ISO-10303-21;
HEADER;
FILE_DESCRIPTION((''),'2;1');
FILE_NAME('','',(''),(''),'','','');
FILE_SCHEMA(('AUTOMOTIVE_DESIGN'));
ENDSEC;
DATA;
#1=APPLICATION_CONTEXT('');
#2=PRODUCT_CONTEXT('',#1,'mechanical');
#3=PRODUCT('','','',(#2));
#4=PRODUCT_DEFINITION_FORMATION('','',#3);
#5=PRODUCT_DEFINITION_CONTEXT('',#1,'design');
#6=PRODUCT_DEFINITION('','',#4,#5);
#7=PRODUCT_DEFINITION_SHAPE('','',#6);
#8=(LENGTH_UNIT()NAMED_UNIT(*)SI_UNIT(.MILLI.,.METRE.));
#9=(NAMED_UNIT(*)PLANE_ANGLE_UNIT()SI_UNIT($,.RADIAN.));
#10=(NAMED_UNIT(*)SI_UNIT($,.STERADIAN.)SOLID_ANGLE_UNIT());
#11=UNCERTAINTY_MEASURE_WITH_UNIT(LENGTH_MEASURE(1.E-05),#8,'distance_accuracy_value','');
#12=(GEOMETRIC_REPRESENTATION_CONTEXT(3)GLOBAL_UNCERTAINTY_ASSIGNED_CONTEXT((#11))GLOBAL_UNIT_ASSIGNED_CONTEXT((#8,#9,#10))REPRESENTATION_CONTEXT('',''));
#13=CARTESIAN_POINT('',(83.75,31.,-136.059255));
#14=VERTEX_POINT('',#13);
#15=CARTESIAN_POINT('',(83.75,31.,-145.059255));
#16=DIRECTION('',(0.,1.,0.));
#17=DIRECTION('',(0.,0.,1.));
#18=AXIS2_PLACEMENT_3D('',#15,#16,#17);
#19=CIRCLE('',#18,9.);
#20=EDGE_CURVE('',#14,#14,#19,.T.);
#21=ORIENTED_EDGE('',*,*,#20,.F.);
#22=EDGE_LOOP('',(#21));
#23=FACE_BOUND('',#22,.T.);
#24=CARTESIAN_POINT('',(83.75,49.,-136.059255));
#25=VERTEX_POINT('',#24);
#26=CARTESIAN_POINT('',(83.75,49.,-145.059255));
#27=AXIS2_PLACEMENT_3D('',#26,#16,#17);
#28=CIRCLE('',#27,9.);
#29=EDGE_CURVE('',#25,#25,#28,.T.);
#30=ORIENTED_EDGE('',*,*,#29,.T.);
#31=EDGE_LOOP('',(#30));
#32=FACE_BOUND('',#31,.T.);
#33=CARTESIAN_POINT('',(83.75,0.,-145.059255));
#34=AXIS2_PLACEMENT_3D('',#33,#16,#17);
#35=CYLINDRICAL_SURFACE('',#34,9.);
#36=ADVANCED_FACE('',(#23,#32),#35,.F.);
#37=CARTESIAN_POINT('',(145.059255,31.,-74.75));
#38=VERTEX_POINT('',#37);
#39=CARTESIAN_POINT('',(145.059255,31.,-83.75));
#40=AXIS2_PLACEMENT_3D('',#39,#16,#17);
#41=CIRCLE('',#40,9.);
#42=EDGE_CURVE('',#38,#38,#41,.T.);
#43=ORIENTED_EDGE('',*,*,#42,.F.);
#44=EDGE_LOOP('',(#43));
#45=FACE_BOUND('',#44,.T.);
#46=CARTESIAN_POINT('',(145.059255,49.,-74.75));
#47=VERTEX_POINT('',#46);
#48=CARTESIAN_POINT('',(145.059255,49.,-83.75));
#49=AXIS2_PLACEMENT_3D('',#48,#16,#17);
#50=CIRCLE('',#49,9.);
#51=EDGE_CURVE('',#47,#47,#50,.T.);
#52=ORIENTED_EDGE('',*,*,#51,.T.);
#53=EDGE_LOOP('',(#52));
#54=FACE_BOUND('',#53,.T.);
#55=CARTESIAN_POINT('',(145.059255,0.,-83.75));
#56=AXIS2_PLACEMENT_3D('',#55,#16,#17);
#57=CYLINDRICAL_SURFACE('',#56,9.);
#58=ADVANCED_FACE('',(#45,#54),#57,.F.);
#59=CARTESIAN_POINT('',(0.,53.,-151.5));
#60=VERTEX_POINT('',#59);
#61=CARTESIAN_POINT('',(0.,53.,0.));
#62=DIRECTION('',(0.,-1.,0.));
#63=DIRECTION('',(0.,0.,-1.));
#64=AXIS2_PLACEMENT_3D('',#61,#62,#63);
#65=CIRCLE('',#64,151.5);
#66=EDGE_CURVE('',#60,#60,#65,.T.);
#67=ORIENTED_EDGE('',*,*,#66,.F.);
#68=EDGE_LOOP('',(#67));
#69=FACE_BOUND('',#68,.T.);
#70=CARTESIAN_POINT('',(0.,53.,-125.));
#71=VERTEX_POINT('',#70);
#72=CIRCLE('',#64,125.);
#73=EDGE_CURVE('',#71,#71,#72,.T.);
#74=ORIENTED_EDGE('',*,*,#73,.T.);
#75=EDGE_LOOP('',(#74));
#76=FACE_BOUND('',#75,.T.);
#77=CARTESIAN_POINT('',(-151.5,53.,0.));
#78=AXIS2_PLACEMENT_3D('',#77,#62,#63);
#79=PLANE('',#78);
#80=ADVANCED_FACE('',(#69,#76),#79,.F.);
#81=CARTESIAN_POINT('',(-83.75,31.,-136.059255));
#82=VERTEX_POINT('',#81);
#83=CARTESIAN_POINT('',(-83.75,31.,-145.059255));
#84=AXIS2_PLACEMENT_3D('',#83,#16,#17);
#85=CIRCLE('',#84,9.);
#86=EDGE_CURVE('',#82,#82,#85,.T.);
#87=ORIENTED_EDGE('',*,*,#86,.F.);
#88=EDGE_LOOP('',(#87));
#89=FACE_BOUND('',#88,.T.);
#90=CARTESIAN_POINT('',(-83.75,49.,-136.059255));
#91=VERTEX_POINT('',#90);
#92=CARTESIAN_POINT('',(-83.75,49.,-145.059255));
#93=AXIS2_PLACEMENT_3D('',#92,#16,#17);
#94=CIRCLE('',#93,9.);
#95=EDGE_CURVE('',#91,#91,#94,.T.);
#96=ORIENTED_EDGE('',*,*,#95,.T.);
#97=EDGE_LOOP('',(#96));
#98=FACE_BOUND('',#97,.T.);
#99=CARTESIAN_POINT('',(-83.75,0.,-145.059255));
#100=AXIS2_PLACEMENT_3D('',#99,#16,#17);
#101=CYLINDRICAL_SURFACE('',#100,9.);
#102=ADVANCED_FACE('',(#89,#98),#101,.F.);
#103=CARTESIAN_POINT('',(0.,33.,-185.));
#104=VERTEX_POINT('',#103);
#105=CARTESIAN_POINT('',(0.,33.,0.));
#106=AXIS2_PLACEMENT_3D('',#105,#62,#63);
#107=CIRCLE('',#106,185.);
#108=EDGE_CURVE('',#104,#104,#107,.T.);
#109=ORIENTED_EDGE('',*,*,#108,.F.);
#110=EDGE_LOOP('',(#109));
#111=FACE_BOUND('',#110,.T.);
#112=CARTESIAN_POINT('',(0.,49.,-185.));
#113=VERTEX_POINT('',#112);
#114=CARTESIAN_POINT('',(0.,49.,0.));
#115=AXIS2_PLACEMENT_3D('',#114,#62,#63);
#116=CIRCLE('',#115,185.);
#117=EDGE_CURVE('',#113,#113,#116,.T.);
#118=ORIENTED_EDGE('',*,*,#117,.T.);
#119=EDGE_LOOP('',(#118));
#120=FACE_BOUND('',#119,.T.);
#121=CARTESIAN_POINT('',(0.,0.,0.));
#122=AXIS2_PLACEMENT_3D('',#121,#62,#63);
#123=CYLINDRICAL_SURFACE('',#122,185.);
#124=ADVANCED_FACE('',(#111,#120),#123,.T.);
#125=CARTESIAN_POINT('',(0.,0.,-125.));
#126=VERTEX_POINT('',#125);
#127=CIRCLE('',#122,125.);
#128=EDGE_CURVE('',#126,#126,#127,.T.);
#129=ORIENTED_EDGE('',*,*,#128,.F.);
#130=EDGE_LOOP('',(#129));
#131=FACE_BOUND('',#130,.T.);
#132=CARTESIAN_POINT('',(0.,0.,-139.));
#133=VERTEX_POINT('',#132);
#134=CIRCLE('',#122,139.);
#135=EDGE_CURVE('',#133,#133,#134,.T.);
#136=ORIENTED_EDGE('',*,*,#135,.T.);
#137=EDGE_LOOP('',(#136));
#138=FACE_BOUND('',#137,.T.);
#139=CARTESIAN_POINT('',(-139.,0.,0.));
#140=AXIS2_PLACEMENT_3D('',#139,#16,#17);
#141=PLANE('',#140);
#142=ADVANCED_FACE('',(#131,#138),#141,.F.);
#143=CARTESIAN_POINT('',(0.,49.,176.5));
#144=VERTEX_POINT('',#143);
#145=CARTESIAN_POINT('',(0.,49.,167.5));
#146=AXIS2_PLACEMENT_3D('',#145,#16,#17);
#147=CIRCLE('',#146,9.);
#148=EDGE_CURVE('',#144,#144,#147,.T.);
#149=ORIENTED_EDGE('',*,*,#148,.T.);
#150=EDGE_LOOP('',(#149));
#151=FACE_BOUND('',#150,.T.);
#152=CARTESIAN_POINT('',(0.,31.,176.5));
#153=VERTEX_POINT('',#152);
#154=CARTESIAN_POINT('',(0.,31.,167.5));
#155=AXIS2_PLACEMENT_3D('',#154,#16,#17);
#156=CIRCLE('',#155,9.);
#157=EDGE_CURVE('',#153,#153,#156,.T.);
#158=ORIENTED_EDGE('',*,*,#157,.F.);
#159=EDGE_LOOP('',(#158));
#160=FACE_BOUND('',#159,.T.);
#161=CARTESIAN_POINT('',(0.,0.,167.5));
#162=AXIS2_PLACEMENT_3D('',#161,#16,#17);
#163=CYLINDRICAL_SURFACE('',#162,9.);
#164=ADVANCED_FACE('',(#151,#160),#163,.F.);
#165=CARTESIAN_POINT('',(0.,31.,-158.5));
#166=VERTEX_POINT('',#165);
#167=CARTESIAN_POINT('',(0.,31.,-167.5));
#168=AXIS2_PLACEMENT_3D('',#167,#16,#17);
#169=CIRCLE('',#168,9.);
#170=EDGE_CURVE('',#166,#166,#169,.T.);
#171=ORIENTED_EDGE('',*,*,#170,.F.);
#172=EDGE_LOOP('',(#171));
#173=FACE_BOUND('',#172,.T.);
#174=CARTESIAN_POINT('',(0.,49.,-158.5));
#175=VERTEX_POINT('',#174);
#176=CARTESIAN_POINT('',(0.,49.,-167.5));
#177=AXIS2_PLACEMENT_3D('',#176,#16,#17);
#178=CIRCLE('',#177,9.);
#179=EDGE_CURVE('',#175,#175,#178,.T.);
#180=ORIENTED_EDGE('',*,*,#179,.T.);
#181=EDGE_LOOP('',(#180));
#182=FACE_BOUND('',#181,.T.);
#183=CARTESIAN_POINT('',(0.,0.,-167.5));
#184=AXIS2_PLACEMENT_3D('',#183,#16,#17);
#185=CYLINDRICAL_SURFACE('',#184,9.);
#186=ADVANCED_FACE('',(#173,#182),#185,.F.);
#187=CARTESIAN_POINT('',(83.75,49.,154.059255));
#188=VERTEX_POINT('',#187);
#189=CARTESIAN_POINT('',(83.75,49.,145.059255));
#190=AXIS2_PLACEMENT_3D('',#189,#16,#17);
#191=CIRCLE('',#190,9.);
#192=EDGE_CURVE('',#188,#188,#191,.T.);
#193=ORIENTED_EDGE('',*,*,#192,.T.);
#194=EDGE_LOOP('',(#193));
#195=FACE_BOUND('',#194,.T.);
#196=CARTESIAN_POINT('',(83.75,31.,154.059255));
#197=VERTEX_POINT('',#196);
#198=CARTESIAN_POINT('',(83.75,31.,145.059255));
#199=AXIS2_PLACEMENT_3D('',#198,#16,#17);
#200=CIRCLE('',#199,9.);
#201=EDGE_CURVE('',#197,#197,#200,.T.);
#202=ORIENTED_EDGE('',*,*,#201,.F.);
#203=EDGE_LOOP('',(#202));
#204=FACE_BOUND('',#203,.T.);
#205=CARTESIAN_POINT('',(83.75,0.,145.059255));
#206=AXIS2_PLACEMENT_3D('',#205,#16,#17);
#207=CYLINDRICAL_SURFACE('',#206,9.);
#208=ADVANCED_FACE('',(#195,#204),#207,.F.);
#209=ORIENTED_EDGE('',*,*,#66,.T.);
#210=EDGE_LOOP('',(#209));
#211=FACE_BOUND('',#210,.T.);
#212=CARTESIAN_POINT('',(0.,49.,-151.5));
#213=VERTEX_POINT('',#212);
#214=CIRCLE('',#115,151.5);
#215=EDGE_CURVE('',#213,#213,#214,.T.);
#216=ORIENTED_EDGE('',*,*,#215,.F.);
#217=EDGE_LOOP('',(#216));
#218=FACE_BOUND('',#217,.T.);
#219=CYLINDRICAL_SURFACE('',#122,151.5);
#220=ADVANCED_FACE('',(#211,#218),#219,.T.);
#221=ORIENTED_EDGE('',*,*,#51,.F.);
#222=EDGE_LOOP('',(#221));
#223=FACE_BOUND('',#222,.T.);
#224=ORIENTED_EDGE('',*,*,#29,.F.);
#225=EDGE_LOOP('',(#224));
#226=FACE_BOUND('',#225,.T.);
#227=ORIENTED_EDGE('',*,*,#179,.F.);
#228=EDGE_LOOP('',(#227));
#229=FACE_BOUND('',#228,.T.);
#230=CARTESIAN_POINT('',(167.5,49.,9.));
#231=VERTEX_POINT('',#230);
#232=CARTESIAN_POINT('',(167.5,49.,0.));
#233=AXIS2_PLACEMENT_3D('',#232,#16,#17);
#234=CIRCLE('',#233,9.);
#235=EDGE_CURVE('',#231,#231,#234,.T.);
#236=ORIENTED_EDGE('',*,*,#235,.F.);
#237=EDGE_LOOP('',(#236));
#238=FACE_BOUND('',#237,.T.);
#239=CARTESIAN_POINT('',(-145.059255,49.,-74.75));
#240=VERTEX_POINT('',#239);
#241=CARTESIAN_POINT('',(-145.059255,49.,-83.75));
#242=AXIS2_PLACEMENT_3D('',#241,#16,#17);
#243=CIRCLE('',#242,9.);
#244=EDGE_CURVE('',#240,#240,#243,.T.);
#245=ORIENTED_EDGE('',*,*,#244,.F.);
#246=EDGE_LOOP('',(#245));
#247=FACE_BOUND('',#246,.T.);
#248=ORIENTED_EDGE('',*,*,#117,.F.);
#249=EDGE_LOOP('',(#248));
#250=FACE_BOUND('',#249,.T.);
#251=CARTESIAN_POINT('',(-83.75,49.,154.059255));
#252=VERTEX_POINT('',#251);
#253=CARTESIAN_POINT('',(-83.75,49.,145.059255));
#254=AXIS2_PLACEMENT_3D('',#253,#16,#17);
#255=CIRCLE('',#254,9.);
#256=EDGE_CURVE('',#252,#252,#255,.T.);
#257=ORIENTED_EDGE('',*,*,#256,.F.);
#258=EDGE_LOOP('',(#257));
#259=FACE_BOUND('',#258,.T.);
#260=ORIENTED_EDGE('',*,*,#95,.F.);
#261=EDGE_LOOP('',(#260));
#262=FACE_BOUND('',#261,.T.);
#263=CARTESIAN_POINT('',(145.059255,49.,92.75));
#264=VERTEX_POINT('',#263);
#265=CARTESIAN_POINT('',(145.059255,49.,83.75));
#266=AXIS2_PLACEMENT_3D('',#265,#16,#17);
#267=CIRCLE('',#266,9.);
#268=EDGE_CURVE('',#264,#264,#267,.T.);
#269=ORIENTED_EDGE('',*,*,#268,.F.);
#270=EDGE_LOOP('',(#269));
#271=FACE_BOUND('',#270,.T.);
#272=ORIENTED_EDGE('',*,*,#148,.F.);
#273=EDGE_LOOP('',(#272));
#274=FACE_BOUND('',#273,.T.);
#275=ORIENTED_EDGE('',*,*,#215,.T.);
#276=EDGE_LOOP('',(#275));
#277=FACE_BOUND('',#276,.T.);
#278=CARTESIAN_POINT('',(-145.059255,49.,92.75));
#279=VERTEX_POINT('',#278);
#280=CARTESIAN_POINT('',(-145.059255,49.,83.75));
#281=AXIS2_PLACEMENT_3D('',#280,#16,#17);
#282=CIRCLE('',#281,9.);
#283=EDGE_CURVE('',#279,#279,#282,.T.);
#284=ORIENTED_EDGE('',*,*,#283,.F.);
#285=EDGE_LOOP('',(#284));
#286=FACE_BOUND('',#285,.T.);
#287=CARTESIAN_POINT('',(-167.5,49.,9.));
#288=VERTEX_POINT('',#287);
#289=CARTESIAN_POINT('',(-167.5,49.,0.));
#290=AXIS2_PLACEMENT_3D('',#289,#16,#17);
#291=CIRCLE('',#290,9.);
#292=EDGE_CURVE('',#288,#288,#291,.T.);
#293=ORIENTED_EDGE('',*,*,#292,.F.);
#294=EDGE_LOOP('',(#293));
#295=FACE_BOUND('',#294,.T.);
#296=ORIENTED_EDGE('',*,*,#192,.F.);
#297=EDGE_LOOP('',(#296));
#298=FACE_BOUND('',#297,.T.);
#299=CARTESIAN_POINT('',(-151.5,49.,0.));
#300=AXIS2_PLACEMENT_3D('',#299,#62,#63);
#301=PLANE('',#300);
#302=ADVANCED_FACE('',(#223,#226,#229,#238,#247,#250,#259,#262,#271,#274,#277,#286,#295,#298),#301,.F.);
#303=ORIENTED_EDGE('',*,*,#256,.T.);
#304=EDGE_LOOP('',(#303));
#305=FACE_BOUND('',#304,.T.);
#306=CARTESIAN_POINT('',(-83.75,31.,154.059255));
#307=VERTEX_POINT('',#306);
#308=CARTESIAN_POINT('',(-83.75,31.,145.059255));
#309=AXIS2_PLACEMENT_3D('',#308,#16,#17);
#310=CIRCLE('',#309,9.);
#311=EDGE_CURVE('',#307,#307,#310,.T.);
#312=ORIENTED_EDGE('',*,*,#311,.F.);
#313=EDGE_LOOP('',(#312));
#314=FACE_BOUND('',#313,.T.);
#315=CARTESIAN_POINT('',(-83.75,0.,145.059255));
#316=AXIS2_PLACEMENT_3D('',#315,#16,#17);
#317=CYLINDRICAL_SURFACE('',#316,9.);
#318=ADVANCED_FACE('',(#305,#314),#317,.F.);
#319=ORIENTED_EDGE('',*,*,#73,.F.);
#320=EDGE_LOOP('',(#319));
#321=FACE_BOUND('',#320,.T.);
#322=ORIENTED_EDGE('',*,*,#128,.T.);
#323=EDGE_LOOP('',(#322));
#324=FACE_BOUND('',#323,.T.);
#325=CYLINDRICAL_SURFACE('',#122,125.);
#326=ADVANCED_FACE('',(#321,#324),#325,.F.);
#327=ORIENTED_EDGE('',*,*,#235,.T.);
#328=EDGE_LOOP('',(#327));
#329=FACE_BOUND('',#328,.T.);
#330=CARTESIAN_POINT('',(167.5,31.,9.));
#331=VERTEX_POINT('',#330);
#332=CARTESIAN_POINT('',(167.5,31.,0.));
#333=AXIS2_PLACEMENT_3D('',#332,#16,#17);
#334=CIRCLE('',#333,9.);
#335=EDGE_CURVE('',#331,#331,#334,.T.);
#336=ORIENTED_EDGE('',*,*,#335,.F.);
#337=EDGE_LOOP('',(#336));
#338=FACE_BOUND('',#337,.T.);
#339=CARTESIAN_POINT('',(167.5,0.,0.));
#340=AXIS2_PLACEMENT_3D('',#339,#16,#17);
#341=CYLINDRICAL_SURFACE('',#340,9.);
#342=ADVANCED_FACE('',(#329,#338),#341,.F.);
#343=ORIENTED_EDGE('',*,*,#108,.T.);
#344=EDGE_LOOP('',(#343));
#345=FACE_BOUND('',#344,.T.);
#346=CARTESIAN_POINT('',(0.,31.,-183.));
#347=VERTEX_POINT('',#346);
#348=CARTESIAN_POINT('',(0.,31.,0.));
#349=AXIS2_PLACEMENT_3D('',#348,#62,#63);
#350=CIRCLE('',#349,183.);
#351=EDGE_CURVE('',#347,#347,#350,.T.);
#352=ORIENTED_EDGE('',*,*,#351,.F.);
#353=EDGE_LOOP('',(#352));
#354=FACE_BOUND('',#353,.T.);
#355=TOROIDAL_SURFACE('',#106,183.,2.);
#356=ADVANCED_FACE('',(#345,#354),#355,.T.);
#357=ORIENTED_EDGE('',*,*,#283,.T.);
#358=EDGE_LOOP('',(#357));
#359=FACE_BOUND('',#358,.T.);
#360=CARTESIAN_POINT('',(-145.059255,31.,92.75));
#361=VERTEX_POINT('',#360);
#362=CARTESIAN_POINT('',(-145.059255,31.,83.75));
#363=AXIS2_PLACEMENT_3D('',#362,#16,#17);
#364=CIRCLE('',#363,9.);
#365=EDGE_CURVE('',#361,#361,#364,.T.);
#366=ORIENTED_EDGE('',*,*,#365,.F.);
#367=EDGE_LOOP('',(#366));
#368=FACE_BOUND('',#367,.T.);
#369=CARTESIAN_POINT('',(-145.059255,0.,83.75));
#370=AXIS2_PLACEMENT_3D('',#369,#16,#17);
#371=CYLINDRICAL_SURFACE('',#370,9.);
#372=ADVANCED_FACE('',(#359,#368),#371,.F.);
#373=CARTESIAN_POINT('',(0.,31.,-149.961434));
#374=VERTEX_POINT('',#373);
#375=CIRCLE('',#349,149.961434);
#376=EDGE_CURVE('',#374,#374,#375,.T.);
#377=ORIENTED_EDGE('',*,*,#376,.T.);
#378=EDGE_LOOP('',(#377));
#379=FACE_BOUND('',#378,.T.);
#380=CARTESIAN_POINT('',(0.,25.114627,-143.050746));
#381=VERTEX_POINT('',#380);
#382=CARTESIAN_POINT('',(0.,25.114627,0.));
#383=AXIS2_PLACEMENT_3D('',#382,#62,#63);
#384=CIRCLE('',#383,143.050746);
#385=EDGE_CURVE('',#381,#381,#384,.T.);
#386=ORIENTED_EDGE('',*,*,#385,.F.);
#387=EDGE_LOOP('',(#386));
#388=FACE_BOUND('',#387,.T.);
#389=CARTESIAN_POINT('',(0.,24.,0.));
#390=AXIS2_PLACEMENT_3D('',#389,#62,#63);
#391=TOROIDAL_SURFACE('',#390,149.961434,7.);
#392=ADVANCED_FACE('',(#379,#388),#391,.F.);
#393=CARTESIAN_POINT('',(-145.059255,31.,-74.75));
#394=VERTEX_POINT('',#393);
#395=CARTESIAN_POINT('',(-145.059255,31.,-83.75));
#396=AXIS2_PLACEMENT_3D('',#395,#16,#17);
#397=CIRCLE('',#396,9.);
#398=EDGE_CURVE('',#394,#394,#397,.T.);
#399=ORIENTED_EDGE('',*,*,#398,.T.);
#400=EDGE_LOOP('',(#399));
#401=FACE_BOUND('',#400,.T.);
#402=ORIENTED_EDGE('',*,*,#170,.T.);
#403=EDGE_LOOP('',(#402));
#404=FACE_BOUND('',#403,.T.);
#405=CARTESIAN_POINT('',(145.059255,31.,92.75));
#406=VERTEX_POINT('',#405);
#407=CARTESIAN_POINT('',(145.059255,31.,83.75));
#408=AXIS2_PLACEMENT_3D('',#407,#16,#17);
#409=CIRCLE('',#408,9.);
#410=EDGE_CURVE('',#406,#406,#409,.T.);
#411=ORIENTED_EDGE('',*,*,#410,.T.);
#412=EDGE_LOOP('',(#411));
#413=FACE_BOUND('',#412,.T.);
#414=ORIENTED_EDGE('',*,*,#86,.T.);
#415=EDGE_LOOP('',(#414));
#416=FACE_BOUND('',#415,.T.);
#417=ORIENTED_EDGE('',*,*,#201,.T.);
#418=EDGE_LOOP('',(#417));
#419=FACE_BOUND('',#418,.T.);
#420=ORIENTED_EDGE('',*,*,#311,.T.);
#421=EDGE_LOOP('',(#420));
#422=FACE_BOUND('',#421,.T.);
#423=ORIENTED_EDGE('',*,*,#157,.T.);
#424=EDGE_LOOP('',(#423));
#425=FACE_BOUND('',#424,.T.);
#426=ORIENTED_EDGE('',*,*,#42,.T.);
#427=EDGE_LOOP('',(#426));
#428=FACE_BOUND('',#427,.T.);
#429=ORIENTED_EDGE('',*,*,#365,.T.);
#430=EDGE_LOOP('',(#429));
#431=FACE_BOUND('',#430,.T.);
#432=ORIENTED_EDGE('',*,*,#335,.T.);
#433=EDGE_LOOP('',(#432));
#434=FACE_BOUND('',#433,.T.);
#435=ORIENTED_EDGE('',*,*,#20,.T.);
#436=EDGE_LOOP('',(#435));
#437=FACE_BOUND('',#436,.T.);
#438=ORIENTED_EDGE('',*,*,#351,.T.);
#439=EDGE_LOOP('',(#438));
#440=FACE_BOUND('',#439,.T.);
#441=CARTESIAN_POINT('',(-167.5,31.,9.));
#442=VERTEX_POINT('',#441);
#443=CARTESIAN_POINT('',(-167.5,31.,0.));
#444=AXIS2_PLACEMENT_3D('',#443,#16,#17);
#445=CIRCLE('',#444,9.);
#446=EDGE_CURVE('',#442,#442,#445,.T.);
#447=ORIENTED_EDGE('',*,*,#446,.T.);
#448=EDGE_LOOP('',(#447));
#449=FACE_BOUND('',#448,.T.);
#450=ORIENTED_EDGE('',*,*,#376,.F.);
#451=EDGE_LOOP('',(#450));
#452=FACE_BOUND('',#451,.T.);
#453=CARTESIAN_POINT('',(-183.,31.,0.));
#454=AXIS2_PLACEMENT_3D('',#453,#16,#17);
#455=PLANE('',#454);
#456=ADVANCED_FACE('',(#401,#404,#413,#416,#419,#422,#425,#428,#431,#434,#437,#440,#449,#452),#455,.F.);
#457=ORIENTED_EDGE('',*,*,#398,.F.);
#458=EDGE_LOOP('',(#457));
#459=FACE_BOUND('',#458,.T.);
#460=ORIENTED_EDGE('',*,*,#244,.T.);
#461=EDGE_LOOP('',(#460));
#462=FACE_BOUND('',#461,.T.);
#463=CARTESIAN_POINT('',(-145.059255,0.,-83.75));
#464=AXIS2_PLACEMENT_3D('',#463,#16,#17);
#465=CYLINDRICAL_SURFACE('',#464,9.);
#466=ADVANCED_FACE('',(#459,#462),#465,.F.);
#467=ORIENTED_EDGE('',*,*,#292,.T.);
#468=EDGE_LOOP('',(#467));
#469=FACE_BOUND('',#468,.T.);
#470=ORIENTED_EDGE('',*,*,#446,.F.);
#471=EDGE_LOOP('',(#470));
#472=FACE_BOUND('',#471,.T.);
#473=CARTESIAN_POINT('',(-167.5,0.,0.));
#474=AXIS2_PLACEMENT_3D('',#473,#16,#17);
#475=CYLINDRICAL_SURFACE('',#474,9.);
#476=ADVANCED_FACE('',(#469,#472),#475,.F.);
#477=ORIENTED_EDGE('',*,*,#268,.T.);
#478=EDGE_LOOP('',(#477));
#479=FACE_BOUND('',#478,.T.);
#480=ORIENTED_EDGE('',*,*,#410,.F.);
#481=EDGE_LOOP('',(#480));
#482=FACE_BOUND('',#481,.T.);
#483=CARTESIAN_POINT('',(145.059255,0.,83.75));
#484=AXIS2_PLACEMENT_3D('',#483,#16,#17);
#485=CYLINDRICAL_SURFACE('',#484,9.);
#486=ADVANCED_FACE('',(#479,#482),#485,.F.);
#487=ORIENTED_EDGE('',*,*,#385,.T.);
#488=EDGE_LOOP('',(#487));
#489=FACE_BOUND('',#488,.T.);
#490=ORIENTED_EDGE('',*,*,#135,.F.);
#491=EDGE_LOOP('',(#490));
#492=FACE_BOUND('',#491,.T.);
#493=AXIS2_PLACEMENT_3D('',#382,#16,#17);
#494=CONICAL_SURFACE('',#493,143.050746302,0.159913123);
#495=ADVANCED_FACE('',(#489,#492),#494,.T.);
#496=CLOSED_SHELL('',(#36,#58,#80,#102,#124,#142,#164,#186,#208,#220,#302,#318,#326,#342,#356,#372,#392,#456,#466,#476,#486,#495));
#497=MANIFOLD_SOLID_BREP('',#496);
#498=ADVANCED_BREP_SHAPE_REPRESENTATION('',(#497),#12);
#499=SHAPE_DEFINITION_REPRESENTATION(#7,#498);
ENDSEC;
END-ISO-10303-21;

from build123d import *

# Parameters (mm, degrees)
SKETCH_2_R          = 9
CUT_EXTRUDE_1_DEPTH = 267.178511668


with BuildPart() as part:
    # Эскиз1 → Повернуть1 (revolve)
    with BuildSketch(Plane.XY, mode=Mode.PRIVATE) as revolve_1_sk:
        with BuildLine():
            Line((-125, 0), (-125, 53))
            Line((-125, 53), (-151.5, 53))
            Line((-151.5, 53), (-151.5, 49))
            Line((-151.5, 49), (-185, 49))
            Line((-185, 49), (-185, 33))
            ThreePointArc((-185, 33), (-184.414213562, 31.585786438), (-183, 31))
            Line((-183, 31), (-149.961434147, 31))
            ThreePointArc((-149.961434147, 31), (-145.422843479, 29.329277132), (-143.050746302, 25.114627072))
            Line((-143.050746302, 25.114627072), (-139, 0))
            Line((-139, 0), (-125, 0))
        make_face()
    revolve(revolve_1_sk.sketch.rotate(Axis((0, 0, 0), (0, 1, 0)), 270), axis=Axis((0, 0, 0), (0, 1, 0)))

    # Эскиз2 → Вырез-Вытянуть1 (cut, through all)
    with BuildSketch(Plane(origin=(0, 49, 0), x_dir=(1, 0, 0), z_dir=(0, 1, 0))):
        with Locations(Location((-167.5, 0, 0), (0, 0, 270))):
            Circle(SKETCH_2_R)
        with Locations(Location((-145.059255134, 83.75, 0), (0, 0, 270))):
            Circle(SKETCH_2_R)
        with Locations(Location((-83.75, 145.059255134, 0), (0, 0, 270))):
            Circle(SKETCH_2_R)
        with Locations(Location((0, 167.5, 0), (0, 0, 270))):
            Circle(SKETCH_2_R)
        with Locations(Location((83.75, 145.059255134, 0), (0, 0, 270))):
            Circle(SKETCH_2_R)
        with Locations(Location((145.059255134, 83.75, 0), (0, 0, 270))):
            Circle(SKETCH_2_R)
        with Locations(Location((167.5, 0, 0), (0, 0, 270))):
            Circle(SKETCH_2_R)
        with Locations(Location((145.059255134, -83.75, 0), (0, 0, 270))):
            Circle(SKETCH_2_R)
        with Locations(Location((83.75, -145.059255134, 0), (0, 0, 270))):
            Circle(SKETCH_2_R)
        with Locations(Location((0, -167.5, 0), (0, 0, 270))):
            Circle(SKETCH_2_R)
        with Locations(Location((-83.75, -145.059255134, 0), (0, 0, 270))):
            Circle(SKETCH_2_R)
        with Locations(Location((-145.059255134, -83.75, 0), (0, 0, 270))):
            Circle(SKETCH_2_R)
    extrude(amount=-CUT_EXTRUDE_1_DEPTH, mode=Mode.SUBTRACT)


solid = part.part
